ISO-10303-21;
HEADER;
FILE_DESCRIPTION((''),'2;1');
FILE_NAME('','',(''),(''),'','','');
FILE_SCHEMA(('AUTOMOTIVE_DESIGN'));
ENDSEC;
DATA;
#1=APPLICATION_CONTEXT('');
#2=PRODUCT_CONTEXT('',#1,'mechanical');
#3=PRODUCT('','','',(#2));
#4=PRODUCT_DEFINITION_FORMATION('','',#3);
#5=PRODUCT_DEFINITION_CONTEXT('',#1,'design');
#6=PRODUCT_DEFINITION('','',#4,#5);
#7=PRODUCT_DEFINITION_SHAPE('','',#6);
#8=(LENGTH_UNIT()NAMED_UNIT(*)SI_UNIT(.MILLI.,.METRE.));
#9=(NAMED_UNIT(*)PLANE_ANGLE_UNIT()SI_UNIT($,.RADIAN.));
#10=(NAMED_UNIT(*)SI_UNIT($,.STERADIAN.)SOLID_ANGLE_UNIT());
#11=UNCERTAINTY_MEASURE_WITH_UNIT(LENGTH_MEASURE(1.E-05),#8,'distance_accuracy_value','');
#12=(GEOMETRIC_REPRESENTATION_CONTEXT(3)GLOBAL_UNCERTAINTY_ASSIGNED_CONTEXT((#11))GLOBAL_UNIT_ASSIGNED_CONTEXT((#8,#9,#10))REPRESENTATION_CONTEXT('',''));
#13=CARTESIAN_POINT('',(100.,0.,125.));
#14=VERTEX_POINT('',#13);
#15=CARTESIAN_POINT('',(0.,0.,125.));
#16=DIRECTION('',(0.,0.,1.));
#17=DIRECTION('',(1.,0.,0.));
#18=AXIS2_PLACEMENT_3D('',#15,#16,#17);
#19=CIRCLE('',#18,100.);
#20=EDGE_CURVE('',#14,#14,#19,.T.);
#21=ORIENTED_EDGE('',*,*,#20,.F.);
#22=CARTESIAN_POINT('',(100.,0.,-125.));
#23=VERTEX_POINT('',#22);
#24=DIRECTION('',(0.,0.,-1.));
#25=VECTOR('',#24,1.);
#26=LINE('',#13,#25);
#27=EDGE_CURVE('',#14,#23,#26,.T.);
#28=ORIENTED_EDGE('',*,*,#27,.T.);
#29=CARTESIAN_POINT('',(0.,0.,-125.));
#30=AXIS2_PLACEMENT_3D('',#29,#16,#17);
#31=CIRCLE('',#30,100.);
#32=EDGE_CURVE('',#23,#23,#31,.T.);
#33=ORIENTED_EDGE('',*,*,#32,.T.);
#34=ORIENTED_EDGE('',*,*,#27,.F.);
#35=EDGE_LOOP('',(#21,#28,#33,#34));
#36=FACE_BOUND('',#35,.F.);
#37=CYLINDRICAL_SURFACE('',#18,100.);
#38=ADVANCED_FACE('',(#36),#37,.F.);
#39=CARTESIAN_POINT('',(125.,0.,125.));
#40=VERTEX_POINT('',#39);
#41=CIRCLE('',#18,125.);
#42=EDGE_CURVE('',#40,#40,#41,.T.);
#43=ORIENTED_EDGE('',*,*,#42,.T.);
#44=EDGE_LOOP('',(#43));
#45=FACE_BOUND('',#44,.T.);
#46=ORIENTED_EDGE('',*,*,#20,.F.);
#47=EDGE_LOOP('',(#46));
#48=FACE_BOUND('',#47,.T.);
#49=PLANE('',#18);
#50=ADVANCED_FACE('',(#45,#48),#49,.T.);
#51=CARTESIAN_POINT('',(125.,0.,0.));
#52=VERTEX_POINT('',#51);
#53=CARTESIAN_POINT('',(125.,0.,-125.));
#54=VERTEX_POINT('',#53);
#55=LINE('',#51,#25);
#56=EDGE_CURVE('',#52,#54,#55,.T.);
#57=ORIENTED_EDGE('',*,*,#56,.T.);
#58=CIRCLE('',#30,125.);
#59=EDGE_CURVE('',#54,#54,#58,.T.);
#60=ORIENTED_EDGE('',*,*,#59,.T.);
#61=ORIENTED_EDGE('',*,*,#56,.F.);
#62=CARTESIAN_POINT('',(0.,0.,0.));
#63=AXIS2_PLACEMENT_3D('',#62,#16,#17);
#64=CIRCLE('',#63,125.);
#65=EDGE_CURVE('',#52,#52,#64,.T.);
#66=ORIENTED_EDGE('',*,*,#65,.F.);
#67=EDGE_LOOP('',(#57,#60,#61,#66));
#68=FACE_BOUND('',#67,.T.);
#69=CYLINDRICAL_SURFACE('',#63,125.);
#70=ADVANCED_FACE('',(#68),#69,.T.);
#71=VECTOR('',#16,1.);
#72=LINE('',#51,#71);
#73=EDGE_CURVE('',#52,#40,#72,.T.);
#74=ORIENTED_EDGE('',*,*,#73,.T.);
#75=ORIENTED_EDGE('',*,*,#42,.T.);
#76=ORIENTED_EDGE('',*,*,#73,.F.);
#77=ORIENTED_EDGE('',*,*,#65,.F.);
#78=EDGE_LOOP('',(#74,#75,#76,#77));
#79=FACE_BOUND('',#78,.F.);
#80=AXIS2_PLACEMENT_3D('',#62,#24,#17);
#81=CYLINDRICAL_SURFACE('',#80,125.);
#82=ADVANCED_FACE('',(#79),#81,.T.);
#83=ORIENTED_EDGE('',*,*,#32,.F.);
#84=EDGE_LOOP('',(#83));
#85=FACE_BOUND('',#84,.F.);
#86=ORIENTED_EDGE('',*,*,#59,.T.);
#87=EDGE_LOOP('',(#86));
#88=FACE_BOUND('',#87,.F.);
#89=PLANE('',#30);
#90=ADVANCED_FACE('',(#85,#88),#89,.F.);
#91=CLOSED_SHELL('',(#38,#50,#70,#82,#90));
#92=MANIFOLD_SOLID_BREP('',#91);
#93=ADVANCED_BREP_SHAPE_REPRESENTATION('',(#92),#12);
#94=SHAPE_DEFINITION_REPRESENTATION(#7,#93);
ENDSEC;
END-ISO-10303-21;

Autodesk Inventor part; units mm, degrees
ref_plane "YZ Plane" through (0, 0, 0) normal (1, 0, 0) x (0, 1, 0)
ref_plane "XZ Plane" through (0, 0, 0) normal (0, 1, 0) x (-1, 0, 0)
ref_plane "XY Plane" through (0, 0, 0) normal (0, 0, 1) x (1, 0, 0)
sketch "Sketch1" plane through (0, 0, 0) normal (0, 0, 1) x (1, 0, 0)
  circle A0 centre (0, 0) radius 125
  dimension "d0" = 250
extrude "Extrusion1" add sketch "Sketch1" along normal mid plane 250
sketch "Sketch2" plane through (0, 0, 125) normal (0, 0, 1) x (1, 0, 0)
  circle A0 centre (0, 0) radius 100
  dimension "d3" = 200
extrude "Extrusion2" cut sketch "Sketch2" against normal through all
properties part number "AGBL02_2"
